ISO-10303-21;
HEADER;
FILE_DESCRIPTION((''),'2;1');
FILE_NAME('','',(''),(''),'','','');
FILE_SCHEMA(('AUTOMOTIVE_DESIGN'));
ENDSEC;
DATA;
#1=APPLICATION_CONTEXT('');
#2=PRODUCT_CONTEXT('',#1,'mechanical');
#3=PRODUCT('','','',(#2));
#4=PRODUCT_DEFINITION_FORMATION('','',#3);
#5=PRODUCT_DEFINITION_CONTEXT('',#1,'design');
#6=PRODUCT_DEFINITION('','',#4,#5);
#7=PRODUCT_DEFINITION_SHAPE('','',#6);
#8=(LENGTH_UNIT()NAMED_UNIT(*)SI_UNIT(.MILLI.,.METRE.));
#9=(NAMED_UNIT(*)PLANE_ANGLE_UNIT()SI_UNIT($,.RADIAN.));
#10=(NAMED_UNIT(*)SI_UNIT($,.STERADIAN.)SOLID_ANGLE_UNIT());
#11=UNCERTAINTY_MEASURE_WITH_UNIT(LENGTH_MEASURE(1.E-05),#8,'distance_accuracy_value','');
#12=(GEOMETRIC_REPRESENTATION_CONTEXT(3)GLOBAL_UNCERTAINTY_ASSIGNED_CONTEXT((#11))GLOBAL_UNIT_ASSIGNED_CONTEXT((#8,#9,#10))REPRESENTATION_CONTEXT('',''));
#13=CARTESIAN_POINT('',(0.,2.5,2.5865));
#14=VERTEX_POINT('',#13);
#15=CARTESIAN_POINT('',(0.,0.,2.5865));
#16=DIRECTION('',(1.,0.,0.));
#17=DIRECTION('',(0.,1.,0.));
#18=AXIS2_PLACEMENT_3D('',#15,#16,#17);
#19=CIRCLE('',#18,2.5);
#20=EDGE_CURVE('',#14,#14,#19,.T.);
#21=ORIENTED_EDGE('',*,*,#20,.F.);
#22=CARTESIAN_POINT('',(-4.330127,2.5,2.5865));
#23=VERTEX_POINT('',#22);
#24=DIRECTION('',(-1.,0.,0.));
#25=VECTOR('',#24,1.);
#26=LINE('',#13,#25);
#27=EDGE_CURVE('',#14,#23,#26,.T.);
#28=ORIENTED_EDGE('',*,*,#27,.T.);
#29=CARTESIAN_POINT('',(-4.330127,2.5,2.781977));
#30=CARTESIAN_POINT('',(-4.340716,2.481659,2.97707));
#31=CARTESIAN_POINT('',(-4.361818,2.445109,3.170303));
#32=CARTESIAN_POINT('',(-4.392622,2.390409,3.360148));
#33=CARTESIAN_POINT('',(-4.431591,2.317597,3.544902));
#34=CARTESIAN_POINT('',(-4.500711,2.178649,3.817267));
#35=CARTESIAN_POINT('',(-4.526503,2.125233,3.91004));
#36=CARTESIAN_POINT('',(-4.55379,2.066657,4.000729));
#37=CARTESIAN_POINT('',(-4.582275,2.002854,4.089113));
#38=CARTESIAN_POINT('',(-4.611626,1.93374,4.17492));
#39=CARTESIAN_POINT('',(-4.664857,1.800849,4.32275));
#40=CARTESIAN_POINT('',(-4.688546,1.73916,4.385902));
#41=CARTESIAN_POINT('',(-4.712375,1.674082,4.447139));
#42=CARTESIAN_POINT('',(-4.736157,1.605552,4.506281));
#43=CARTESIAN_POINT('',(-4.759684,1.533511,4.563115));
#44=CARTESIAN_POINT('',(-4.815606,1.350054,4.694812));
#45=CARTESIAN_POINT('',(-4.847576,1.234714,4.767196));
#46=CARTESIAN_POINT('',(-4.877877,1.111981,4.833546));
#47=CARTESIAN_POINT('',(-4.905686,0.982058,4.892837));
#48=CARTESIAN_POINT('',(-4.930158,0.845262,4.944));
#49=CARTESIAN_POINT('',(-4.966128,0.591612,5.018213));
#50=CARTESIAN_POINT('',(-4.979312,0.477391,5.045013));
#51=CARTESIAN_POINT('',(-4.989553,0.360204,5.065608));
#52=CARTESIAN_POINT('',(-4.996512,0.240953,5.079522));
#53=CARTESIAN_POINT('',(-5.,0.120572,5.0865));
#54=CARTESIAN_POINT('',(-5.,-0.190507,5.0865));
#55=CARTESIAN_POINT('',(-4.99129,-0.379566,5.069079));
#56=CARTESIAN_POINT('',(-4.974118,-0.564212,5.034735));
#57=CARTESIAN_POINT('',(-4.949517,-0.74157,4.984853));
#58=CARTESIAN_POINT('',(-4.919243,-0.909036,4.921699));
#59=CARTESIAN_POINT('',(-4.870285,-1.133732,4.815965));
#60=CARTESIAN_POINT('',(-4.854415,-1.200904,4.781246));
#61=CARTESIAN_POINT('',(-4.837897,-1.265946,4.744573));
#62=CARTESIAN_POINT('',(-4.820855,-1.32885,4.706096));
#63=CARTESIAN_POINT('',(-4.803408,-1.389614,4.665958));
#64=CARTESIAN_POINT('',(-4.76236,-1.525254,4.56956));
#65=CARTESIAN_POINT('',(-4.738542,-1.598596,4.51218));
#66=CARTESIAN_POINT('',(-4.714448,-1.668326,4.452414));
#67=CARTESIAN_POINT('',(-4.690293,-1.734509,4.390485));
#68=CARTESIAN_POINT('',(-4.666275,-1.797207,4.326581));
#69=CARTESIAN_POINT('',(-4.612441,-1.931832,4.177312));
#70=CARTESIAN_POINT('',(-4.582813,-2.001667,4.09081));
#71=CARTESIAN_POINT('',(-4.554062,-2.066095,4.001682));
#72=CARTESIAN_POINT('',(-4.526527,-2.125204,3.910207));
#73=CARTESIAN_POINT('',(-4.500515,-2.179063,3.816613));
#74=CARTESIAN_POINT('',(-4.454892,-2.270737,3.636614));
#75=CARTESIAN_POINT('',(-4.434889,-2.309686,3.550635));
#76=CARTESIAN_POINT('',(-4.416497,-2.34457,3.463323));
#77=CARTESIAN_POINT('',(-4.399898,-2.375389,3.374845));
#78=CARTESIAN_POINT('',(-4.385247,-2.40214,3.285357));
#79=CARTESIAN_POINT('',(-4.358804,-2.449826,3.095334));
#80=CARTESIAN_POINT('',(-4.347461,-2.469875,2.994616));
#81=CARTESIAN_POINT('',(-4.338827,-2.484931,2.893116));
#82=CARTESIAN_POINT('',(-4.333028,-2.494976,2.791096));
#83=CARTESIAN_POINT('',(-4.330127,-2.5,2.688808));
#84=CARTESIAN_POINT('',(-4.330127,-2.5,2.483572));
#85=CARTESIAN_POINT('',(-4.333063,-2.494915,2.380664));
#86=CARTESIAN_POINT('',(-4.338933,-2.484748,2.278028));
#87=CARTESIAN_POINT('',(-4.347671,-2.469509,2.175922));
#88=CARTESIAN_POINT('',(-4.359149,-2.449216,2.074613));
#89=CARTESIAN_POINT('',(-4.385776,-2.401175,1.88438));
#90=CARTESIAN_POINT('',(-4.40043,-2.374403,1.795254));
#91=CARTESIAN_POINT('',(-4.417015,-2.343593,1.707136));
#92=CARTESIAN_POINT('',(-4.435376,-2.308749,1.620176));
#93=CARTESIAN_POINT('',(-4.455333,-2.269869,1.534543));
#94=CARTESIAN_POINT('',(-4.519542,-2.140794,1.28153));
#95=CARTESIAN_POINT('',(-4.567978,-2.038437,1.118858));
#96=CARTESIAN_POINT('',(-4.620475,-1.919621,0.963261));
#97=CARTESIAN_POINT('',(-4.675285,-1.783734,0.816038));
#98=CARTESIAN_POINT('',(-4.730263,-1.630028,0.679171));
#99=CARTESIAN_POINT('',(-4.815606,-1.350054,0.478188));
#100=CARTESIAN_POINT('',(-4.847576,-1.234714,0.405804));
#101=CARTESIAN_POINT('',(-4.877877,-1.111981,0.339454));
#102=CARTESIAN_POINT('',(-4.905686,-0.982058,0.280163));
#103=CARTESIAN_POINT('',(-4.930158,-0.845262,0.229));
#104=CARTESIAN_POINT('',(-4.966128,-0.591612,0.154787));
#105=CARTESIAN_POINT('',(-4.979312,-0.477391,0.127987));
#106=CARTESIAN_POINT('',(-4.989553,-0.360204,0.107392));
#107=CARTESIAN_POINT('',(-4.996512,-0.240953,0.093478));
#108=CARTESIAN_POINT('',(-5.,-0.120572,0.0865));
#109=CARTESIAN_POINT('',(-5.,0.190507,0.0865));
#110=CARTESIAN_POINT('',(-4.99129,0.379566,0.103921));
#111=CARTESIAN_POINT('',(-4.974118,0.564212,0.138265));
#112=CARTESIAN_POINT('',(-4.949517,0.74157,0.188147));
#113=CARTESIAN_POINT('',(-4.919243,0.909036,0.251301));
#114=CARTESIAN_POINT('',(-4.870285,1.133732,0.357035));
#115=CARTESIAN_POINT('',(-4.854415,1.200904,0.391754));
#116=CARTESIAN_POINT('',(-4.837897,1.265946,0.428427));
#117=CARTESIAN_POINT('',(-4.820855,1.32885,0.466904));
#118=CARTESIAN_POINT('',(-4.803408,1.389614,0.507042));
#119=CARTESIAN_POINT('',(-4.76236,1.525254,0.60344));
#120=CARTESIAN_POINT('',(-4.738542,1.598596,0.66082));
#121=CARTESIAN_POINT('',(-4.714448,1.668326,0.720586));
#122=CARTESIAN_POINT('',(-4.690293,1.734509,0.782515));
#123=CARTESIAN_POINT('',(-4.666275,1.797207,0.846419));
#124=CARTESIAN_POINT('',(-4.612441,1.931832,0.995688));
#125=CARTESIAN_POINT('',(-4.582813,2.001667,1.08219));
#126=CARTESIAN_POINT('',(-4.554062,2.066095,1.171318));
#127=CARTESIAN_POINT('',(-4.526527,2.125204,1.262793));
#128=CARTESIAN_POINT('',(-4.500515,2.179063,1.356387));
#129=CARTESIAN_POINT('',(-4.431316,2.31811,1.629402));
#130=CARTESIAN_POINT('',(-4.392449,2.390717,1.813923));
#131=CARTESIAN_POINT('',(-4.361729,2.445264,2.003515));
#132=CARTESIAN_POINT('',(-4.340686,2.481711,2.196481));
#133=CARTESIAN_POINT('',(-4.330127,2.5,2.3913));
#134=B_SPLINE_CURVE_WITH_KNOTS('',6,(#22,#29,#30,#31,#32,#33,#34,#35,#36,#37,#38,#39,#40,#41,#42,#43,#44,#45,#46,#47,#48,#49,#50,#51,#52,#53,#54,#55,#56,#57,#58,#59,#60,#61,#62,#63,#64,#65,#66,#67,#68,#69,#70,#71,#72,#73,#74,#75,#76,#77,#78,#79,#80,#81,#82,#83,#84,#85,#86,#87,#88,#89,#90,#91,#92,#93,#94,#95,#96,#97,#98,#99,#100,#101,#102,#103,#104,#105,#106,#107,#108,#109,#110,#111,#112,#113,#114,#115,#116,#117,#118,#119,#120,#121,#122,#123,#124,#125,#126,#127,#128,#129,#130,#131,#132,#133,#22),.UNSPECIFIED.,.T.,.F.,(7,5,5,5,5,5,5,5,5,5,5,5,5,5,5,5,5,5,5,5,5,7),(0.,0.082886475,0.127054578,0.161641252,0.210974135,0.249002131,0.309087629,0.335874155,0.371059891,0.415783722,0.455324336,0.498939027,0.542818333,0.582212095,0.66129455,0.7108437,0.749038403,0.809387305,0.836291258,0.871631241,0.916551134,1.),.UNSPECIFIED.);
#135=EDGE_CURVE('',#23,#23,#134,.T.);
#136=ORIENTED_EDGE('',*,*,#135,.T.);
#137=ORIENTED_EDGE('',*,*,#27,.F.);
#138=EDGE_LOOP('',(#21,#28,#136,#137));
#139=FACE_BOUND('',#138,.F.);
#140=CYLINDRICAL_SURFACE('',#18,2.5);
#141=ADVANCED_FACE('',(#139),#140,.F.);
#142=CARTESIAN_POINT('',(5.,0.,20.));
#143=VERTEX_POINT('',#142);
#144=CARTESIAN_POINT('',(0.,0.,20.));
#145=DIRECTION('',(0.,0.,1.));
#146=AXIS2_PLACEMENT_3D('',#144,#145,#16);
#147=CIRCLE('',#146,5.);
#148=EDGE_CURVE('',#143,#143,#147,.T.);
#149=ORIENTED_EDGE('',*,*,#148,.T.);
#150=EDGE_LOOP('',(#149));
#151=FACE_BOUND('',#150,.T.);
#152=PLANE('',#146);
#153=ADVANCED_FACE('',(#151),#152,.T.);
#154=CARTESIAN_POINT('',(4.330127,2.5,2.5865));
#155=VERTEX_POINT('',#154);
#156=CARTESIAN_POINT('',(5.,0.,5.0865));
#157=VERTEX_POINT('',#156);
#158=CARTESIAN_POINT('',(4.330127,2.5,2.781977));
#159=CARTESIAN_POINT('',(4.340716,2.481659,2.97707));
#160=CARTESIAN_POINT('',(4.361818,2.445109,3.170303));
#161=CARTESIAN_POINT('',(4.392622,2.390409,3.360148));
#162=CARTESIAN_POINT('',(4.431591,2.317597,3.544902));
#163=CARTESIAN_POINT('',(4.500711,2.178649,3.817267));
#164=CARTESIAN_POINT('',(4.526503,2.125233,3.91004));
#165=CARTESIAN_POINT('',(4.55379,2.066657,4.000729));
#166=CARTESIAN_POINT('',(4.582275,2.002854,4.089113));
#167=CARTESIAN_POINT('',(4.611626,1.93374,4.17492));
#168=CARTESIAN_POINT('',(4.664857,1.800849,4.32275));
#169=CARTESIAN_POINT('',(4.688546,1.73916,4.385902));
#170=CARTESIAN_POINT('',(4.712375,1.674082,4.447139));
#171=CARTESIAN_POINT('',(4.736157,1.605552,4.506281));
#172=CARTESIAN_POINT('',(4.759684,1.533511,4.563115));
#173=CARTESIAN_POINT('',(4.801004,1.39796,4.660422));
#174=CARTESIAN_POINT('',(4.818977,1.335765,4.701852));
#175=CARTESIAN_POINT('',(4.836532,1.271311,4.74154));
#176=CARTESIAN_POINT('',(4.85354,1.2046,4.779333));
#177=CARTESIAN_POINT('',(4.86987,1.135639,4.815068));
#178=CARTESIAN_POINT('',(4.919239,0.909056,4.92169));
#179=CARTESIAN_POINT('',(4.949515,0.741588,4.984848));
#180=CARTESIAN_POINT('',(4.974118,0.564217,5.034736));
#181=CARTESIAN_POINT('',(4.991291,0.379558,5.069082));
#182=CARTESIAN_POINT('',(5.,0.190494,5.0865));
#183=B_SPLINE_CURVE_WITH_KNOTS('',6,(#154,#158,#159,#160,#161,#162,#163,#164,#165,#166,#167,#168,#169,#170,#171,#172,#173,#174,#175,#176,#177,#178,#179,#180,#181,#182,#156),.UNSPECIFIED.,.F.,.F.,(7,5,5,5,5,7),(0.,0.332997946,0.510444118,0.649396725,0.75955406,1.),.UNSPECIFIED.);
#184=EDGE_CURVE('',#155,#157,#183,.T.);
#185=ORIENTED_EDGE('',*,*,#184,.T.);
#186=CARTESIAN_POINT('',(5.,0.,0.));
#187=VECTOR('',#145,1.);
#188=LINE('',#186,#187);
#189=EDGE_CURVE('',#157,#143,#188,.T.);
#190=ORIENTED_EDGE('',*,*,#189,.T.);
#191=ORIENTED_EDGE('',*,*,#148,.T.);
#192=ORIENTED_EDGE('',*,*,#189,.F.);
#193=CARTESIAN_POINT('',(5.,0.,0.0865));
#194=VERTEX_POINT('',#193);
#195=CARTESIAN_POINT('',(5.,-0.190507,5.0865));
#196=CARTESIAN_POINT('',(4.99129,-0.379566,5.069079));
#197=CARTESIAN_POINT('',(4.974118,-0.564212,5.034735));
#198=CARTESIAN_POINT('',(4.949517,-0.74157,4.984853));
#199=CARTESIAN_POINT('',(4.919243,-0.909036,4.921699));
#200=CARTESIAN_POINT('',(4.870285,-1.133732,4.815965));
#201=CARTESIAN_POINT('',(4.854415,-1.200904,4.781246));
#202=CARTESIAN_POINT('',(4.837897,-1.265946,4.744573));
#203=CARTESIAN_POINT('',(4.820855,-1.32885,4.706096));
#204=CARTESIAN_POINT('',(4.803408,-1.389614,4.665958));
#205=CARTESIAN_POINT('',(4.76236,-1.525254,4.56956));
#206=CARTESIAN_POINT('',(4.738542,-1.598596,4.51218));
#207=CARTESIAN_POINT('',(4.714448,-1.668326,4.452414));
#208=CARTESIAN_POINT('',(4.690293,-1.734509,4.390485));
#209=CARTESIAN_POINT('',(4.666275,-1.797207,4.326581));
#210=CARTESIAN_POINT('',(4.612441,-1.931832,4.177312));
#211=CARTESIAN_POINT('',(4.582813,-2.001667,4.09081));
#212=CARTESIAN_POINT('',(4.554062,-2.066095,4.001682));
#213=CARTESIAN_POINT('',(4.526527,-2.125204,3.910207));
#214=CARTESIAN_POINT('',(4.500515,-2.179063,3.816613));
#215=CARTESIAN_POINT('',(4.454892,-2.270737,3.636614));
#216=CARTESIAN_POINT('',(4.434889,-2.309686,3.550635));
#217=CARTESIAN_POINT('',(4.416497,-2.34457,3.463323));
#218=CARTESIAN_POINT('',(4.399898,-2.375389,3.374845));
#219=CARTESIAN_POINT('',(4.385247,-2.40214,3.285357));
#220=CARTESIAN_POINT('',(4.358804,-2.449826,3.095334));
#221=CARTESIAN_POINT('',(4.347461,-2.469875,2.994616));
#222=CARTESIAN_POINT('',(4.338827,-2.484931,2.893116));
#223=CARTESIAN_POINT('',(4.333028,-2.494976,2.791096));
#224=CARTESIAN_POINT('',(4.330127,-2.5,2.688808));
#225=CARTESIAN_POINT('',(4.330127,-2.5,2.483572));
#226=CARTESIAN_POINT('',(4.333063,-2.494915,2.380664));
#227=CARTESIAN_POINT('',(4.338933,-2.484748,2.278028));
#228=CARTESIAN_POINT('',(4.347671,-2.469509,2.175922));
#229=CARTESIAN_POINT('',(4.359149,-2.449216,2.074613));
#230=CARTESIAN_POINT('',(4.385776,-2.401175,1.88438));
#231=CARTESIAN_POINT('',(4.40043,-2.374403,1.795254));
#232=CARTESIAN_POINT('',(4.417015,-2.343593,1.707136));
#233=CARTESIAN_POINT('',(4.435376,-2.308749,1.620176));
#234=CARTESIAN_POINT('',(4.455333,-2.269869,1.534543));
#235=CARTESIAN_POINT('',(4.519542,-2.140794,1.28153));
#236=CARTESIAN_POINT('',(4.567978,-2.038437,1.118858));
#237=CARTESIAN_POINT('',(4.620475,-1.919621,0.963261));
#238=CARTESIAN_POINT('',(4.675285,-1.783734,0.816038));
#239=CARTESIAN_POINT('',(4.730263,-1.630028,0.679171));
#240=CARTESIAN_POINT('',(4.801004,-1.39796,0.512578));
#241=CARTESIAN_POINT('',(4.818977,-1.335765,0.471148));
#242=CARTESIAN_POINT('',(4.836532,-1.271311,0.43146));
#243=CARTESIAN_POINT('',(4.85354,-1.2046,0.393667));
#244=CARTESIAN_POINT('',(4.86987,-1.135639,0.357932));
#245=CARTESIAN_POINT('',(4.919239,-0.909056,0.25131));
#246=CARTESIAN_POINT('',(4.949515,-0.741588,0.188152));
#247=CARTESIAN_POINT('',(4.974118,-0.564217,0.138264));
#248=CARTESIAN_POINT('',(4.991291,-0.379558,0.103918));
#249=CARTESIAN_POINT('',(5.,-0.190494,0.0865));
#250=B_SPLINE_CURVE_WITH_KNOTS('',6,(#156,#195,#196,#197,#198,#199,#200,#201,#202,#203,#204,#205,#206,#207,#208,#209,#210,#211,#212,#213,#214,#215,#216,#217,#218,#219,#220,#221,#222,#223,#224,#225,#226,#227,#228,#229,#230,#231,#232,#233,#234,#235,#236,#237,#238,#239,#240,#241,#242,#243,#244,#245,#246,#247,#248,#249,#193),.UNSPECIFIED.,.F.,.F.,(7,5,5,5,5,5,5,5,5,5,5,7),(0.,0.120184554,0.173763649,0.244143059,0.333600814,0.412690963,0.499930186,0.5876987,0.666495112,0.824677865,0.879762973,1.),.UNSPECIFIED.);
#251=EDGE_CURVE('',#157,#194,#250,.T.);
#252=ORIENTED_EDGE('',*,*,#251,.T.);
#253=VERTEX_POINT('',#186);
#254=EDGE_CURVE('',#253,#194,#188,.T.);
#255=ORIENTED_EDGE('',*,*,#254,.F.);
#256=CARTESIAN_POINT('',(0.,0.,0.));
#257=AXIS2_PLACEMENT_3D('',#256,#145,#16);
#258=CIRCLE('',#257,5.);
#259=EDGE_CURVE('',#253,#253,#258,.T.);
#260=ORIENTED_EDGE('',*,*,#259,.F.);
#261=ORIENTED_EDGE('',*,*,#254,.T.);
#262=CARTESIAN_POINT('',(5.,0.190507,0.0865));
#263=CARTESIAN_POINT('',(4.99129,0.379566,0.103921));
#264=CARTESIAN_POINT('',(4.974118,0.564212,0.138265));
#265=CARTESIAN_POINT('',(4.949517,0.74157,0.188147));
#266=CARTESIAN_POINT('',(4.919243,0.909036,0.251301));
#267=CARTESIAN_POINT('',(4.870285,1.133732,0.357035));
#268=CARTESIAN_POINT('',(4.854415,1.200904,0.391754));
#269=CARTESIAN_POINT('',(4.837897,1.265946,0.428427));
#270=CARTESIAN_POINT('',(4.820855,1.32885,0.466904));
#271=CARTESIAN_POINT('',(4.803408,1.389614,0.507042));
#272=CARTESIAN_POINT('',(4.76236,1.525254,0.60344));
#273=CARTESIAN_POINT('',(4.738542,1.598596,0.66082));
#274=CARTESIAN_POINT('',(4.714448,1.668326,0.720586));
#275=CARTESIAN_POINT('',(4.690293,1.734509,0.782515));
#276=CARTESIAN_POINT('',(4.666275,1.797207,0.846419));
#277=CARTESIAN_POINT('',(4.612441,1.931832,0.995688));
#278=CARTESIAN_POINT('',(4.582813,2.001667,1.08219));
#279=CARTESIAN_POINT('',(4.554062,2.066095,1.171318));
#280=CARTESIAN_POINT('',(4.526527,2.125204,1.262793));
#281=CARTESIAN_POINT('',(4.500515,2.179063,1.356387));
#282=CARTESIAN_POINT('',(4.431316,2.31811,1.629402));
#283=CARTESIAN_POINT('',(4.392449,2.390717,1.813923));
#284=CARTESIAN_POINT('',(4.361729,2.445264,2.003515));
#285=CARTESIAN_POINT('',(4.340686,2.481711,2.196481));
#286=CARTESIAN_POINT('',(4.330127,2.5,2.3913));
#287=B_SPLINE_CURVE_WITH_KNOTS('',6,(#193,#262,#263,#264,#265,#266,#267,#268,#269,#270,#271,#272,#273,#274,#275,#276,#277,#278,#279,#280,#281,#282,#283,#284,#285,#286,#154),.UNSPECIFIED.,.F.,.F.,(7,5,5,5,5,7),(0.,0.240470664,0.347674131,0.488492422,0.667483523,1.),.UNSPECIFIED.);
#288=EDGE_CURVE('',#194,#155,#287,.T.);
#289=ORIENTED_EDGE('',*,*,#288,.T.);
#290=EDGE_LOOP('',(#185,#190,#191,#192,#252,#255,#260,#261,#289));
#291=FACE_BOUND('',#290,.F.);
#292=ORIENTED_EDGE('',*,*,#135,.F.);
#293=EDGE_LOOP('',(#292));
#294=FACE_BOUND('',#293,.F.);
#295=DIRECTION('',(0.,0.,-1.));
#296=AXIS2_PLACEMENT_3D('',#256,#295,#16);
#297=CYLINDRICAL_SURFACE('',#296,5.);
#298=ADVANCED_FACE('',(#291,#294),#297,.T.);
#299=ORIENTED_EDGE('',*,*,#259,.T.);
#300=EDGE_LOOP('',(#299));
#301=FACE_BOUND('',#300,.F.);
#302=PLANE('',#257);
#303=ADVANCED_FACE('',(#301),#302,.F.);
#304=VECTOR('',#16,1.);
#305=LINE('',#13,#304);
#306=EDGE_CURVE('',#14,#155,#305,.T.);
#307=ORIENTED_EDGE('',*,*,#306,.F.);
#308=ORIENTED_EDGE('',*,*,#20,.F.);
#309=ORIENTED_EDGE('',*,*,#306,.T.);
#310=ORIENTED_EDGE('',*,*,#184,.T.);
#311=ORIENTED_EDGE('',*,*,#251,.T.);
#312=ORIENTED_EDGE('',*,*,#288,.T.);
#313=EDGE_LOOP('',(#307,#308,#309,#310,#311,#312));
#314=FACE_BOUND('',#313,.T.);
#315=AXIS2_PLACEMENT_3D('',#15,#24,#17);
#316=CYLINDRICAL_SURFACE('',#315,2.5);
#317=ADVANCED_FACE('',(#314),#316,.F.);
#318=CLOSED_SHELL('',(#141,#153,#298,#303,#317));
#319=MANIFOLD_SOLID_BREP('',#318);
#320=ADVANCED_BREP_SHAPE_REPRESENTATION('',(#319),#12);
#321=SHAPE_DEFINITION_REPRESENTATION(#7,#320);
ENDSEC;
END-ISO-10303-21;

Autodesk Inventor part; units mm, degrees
ref_plane "YZ Plane" through (0, 0, 0) normal (1, 0, 0) x (0, 1, 0)
ref_plane "XZ Plane" through (0, 0, 0) normal (0, 1, 0) x (-1, 0, 0)
ref_plane "XY Plane" through (0, 0, 0) normal (0, 0, 1) x (1, 0, 0)
sketch "Skizze1" plane through (0, 0, 0) normal (0, 0, 1) x (1, 0, 0)
  circle A0 centre (0, 0) radius 5
  dimension "d0" = 10
extrude "Extrusion1" add sketch "Skizze1" along normal blind 20
sketch "Skizze2" plane through (0, 0, 0) normal (1, 0, 0) x (0, 1, 0)
  line L0 (5, 20) -> (-5, 20) projected
  line L1 (5, 0) -> (-5, 0) projected
  circle A0 centre (0, 2.5865) radius 2.5
  point P0 (0, 0)
  dimension "d3" = 5
extrude "Extrusion2" cut sketch "Skizze2" along normal mid plane 15
properties part number "BauteilWelle5"
